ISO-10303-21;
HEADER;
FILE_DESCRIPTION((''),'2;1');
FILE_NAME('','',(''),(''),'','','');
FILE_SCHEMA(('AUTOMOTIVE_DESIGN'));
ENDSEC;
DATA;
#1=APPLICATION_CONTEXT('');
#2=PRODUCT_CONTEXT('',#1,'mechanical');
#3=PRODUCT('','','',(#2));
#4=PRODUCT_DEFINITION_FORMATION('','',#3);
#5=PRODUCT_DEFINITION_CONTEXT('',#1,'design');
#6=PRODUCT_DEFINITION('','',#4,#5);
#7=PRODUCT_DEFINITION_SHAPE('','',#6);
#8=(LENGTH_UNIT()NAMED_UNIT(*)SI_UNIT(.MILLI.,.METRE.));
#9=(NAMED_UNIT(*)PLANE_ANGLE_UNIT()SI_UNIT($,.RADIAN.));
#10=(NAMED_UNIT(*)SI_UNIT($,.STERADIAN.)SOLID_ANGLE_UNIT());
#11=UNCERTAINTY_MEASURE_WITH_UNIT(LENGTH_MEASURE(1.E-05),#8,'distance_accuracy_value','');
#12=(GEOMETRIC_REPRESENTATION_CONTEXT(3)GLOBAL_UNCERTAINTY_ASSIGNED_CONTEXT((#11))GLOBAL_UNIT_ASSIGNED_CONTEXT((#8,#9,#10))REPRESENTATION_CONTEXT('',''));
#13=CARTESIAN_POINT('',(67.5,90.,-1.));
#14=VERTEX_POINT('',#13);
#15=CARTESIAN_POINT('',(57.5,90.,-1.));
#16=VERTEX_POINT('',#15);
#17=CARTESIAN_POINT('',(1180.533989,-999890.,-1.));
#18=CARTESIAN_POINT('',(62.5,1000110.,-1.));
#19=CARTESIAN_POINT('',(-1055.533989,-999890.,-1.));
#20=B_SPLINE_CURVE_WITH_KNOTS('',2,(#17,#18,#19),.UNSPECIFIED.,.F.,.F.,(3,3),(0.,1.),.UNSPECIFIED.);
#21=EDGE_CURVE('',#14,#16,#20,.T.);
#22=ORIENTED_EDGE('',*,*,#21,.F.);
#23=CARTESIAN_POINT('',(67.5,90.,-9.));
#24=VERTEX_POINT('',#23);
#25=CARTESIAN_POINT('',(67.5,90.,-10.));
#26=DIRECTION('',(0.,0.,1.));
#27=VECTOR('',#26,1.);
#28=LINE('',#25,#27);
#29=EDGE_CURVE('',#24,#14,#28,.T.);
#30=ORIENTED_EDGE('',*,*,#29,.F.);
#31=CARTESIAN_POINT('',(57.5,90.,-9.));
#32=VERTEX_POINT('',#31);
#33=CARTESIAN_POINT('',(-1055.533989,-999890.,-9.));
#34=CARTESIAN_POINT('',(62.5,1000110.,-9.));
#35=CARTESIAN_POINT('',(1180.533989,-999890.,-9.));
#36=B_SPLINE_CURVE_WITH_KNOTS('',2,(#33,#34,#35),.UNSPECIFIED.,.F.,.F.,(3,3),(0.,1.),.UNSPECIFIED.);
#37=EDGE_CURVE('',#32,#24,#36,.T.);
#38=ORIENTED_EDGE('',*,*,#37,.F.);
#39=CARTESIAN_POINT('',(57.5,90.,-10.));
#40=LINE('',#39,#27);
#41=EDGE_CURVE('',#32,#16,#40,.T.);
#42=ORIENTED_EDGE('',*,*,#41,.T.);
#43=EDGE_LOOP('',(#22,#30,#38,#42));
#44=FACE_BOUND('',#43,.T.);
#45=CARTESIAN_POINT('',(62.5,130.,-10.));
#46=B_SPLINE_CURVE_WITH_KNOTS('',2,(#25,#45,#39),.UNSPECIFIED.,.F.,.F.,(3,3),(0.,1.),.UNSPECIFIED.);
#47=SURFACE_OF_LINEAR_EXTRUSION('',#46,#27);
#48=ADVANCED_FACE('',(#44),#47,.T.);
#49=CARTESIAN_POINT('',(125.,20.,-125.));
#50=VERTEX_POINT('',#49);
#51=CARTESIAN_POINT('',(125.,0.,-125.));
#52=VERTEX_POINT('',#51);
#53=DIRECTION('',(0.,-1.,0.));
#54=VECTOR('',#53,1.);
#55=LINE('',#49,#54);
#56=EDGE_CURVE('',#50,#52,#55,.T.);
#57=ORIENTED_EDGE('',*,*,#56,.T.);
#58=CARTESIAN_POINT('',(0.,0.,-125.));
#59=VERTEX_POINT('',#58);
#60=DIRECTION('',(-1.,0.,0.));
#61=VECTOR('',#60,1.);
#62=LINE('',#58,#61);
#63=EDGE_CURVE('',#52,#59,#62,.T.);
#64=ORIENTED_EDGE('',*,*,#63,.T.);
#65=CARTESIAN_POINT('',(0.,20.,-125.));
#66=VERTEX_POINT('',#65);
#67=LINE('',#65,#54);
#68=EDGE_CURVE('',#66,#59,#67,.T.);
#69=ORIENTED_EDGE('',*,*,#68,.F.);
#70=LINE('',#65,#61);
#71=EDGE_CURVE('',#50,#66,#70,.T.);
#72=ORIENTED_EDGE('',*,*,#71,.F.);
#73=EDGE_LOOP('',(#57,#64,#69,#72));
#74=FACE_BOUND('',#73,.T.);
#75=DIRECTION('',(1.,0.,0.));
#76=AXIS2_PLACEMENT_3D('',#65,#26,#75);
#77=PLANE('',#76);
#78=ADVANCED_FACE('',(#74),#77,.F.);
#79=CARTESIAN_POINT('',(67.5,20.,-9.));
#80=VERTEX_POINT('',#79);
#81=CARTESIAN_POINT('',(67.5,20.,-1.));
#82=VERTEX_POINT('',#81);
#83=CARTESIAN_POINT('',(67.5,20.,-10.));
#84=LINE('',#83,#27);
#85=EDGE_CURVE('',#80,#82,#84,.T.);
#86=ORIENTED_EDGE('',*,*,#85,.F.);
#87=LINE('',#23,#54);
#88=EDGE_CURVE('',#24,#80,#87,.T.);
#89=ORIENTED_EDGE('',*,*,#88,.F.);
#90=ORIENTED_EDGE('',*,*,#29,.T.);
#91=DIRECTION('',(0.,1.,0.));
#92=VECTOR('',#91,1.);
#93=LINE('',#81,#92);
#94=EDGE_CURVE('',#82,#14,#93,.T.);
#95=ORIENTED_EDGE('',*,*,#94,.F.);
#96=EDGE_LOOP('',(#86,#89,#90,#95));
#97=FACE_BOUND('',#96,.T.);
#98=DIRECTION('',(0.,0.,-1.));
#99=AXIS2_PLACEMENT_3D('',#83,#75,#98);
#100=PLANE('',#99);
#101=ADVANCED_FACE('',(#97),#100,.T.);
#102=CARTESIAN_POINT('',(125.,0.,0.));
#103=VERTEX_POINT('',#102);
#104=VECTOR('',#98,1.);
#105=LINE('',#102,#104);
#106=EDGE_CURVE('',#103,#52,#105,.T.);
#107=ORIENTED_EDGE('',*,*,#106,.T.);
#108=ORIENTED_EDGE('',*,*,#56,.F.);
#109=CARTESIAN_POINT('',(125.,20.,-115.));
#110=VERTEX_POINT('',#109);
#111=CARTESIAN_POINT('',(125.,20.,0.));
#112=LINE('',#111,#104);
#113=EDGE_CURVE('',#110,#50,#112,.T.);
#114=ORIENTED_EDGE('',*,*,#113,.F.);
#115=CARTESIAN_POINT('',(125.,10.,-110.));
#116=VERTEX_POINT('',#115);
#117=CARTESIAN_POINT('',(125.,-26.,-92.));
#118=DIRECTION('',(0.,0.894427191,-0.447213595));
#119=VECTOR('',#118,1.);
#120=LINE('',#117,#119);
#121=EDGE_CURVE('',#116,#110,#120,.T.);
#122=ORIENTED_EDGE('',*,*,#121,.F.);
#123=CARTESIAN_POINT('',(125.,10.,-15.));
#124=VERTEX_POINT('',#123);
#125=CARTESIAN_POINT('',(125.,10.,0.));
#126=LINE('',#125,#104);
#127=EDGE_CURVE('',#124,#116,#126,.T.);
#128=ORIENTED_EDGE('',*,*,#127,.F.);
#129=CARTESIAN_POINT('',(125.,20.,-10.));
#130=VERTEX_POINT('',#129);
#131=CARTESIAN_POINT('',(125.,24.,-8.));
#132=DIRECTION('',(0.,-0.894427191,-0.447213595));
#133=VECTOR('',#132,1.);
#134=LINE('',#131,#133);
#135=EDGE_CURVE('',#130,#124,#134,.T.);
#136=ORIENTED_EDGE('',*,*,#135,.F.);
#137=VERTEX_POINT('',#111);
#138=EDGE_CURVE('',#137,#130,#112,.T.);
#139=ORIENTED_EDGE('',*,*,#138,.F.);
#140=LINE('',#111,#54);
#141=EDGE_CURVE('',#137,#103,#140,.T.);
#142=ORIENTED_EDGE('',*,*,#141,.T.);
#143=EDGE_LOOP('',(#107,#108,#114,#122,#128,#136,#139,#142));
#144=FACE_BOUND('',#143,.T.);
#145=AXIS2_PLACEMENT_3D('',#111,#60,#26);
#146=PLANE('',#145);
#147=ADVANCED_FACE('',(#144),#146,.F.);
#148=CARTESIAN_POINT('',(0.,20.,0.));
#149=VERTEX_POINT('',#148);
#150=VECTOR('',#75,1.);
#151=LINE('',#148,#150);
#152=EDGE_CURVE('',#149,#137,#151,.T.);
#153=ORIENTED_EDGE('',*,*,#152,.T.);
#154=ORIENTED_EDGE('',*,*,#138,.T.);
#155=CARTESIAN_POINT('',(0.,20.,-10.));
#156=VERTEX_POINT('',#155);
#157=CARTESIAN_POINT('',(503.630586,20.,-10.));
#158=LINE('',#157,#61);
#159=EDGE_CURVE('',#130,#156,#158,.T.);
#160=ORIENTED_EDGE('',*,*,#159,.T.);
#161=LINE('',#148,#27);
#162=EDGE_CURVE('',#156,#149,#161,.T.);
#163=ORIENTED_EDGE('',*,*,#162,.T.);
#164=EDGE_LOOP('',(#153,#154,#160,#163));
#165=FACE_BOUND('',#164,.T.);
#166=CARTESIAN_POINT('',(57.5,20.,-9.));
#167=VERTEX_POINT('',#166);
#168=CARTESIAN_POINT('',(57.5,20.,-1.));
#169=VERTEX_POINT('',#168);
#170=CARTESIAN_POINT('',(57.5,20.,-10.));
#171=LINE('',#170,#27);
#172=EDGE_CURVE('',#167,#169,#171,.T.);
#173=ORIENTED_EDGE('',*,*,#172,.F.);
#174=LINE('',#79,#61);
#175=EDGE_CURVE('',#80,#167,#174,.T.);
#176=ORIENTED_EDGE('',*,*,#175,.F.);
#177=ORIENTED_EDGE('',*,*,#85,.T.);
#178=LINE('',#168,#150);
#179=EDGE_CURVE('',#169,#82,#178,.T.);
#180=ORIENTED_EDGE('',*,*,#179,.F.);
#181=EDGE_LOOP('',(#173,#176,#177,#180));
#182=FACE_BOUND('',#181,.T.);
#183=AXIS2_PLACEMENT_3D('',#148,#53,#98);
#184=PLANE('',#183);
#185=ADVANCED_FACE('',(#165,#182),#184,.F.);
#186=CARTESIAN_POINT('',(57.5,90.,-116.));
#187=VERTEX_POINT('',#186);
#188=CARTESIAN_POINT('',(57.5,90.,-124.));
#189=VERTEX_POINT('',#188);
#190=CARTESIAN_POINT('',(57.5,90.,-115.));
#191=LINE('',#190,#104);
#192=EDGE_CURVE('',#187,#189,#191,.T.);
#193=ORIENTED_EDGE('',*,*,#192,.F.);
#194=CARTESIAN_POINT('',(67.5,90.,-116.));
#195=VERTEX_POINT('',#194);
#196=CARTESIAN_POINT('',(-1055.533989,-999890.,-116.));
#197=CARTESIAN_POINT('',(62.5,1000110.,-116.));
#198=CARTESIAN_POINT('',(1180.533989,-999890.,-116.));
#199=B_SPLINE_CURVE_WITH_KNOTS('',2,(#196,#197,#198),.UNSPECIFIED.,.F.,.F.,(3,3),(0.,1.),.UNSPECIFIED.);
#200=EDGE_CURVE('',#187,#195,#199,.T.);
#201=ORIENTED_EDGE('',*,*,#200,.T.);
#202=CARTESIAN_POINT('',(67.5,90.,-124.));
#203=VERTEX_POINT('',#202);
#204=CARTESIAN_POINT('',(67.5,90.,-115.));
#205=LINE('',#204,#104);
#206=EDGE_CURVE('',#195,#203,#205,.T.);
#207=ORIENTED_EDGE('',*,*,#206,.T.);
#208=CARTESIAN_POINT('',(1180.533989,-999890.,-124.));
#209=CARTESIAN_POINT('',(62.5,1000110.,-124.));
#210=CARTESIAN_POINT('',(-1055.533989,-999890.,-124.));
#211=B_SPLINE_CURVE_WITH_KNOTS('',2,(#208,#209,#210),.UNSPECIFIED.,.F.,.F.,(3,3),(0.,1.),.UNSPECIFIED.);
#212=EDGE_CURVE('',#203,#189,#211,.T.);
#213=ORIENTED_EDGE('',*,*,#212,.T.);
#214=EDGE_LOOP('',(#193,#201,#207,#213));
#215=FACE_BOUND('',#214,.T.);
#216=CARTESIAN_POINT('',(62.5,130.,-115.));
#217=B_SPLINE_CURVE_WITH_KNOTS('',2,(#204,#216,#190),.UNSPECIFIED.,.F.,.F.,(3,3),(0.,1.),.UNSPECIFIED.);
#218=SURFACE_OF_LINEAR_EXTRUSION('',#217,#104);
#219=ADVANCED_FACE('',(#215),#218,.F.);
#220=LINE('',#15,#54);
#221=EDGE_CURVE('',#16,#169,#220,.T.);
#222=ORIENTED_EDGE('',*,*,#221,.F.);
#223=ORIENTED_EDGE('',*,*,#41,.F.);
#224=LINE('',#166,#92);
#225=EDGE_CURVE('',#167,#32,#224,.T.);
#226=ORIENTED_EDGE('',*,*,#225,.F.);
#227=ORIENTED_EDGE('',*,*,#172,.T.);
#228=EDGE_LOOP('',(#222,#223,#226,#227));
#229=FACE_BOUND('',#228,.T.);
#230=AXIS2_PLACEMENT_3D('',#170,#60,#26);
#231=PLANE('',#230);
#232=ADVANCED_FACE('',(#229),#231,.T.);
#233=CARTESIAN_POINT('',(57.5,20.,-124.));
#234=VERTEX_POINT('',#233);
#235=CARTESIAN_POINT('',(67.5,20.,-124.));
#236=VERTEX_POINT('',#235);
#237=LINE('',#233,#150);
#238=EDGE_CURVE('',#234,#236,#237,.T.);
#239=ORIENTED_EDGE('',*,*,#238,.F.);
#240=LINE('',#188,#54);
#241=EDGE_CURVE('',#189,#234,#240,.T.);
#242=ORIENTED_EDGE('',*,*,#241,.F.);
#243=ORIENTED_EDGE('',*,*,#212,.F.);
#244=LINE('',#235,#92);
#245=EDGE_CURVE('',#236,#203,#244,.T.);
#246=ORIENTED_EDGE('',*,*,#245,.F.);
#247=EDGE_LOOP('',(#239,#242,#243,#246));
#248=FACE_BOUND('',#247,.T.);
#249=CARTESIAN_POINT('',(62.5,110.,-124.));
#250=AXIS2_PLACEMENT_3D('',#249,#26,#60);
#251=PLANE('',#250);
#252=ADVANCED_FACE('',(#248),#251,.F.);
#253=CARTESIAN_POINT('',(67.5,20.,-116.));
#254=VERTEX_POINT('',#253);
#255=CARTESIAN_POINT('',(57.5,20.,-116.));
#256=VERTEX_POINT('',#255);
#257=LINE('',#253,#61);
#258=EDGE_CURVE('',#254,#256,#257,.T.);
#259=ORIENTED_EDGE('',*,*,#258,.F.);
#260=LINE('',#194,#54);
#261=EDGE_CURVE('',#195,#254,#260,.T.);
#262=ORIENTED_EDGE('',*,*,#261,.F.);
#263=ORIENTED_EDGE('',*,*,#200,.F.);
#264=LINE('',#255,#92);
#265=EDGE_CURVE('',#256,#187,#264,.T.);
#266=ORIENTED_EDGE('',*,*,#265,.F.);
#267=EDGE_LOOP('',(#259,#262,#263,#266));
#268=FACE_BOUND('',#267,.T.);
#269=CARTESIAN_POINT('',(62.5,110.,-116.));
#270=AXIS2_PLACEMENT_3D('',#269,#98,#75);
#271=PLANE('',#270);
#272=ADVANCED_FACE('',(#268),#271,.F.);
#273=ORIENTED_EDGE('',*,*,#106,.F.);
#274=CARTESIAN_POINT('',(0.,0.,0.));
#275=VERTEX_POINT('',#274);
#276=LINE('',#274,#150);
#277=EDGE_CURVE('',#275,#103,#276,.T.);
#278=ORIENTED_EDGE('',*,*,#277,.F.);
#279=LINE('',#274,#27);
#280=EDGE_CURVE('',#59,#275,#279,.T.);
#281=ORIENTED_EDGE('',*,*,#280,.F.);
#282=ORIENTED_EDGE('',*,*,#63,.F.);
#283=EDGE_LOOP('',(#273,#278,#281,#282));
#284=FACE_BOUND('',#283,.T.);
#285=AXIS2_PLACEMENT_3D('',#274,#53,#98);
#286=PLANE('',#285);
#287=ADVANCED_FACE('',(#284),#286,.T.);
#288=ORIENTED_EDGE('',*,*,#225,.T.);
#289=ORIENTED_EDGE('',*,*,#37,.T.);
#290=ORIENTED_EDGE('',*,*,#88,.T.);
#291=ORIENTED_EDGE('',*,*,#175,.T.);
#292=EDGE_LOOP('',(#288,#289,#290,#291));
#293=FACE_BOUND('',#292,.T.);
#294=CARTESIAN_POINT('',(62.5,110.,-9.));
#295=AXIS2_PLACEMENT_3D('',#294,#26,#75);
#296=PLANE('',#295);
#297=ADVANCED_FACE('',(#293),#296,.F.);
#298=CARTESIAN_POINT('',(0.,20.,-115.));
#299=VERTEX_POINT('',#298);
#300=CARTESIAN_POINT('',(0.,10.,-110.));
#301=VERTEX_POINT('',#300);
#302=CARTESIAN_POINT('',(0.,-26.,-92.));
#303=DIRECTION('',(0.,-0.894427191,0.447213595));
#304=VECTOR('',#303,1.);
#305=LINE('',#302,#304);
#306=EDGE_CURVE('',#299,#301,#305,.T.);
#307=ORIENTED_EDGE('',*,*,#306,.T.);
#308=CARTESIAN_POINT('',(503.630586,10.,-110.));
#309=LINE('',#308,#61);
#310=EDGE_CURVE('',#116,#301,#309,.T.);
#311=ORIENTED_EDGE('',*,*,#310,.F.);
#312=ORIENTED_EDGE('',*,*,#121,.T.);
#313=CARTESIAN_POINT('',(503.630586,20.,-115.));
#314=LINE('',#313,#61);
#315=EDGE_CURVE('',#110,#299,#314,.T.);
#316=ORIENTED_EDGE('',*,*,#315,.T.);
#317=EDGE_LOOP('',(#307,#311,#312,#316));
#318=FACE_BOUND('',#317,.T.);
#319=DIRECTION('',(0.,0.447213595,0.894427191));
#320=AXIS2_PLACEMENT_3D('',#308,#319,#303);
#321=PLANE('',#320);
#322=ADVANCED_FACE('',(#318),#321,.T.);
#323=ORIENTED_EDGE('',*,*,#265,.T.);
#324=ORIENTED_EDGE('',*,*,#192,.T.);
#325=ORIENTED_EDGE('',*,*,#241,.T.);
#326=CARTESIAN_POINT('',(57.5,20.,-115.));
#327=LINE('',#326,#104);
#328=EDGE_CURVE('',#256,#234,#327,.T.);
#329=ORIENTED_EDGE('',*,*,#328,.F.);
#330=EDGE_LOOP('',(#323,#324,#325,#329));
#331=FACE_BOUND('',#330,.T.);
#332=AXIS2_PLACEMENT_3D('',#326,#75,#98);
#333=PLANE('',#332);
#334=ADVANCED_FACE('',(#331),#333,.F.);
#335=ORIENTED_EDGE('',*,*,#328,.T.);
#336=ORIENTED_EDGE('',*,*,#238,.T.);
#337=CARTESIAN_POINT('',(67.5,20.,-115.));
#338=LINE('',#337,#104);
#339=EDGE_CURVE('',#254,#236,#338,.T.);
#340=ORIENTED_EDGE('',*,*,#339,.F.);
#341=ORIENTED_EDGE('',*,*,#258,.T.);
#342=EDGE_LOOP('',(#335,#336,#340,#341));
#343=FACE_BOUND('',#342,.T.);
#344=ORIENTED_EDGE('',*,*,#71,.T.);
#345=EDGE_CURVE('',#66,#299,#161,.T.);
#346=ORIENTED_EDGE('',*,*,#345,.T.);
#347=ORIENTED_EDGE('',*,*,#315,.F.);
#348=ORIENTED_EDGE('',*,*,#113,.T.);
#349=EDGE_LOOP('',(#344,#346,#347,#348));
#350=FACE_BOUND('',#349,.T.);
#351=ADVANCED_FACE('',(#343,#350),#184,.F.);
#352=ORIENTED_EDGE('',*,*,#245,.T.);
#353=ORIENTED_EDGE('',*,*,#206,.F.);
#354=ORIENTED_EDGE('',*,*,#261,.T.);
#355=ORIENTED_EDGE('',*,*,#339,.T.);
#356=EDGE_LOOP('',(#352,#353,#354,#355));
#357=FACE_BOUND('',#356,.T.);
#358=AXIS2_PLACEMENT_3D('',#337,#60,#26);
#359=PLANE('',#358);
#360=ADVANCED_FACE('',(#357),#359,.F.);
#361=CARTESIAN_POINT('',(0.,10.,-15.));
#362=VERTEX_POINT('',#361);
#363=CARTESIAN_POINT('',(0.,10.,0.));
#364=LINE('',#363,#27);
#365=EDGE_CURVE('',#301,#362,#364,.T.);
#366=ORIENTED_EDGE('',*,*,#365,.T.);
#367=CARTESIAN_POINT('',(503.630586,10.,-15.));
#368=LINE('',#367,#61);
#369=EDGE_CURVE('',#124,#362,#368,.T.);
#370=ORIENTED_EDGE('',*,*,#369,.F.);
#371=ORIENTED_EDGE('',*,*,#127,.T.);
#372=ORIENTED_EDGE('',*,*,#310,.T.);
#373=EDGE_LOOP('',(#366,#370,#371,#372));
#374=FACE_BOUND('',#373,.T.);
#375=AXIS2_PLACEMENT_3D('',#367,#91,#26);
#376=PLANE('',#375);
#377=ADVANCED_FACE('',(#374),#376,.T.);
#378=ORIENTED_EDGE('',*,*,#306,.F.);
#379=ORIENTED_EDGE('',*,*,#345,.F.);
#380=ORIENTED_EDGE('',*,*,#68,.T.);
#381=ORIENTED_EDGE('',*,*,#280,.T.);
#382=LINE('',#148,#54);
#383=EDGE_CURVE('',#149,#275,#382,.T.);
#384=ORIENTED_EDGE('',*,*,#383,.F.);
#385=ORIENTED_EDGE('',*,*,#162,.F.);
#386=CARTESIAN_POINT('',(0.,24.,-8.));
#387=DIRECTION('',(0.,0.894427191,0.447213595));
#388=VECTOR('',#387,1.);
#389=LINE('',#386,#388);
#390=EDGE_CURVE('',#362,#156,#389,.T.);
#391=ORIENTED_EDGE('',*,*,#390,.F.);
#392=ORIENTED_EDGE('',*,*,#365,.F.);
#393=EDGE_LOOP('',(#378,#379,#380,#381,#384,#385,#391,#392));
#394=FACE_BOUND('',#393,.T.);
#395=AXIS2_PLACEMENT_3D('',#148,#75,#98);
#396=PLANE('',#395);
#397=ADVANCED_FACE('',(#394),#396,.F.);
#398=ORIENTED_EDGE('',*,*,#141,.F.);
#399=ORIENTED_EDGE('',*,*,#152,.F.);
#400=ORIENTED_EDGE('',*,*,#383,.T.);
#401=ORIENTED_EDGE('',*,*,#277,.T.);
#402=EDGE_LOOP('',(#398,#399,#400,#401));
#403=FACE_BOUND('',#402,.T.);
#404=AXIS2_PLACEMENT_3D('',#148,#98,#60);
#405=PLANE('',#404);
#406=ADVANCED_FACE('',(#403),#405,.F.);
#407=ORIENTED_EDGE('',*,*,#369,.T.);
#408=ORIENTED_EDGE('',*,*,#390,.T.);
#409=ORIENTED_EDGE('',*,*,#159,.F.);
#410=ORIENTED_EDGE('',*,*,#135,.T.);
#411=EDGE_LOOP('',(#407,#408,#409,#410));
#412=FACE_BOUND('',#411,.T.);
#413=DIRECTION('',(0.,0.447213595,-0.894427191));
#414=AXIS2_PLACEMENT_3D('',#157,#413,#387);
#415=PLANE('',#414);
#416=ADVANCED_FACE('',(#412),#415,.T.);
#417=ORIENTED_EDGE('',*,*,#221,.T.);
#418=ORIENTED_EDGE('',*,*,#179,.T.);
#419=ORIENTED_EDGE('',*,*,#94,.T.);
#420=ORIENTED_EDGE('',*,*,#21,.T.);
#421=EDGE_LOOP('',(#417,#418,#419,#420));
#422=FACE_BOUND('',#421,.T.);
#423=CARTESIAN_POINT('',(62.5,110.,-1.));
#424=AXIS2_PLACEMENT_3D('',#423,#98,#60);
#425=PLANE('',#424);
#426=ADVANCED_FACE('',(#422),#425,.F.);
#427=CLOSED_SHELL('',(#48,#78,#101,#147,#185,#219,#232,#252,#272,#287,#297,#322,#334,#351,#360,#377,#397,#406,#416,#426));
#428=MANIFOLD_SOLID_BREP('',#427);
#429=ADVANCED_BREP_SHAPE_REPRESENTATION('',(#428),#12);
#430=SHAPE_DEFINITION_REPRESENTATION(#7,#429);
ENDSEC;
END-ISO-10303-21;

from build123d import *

# Parameters (mm, degrees)
SKETCH2_W               = 125
SKETCH2_H               = 125
BOSS_EXTRUDE1_DEPTH     = 20
CUT_EXTRUDE1_DEPTH      = 178.904468747
CUT_EXTRUDE1_DEPTH_BACK = 178.904468747
BOSS_EXTRUDE2_DEPTH     = 10
CUT_EXTRUDE2_DEPTH      = 1
CUT_EXTRUDE3_DEPTH      = 1


with BuildPart() as part:
    # Sketch2 → Boss-Extrude1 (new body)
    with BuildSketch(Plane(origin=(0, 0, 0), x_dir=(1, 0, 0), z_dir=(0, 1, 0))):
        with Locations((62.5, 62.5)):
            Rectangle(SKETCH2_W, SKETCH2_H)
    extrude(amount=BOSS_EXTRUDE1_DEPTH)

    # Sketch4 → Cut-Extrude1 (cut, two sides: drawn at the far end of the back side and taken through both)
    with BuildSketch(Plane(origin=(125, 0, 0), x_dir=(0, 0, -1), z_dir=(1, 0, 0)).offset(-CUT_EXTRUDE1_DEPTH_BACK)):
        Polygon((-98.875201044, 237.750402088), (10, 20), (15, 10), (110, 10), (115, 20), (223.875201044, 237.750402088), (223.875201044, 724.655103285), (-98.875201044, 724.655103285), align=None)
    extrude(amount=CUT_EXTRUDE1_DEPTH + CUT_EXTRUDE1_DEPTH_BACK, mode=Mode.SUBTRACT)

    # Sketch3 → Boss-Extrude2 (add)
    with BuildSketch(Plane.XY):
        with BuildLine():
            Line((57.5, 20), (57.5, 90))
            add(Edge.make_bspline(
                [(57.5, 90), (62.5, 130), (67.5, 90)],
                knots=[0, 0, 0, 1, 1, 1], degree=2))
            Line((67.5, 90), (67.5, 20))
            Line((67.5, 20), (57.5, 20))
        make_face()
    boss_extrude2 = extrude(amount=-BOSS_EXTRUDE2_DEPTH)

    # Sketch6 → Cut-Extrude2 (cut)
    with BuildSketch(Plane.XY):
        with BuildLine():
            Line((57.5, 20), (67.5, 20))
            Line((67.5, 20), (67.5, 90))
            add(Edge.make_bspline(
                [(67.5, 90), (62.500000001, 129.999999993), (57.500000002, 90.000000015)],
                knots=[0, 0, 0, 1, 1, 1], degree=2))
            Line((57.500000002, 90.000000015), (57.5, 20))
        make_face()
    cut_extrude2 = extrude(amount=-CUT_EXTRUDE2_DEPTH, mode=Mode.SUBTRACT)

    # Sketch7 → Cut-Extrude3 (cut)
    with BuildSketch(Plane(origin=(0, 0, -10), x_dir=(-1, 0, 0), z_dir=(0, 0, -1))):
        with BuildLine():
            Line((-67.5, 20), (-57.5, 20))
            Line((-57.5, 20), (-57.5, 90))
            add(Edge.make_bspline(
                [(-57.5, 90), (-62.499999999, 129.999999993), (-67.499999998, 90.000000015)],
                knots=[0, 0, 0, 1, 1, 1], degree=2))
            Line((-67.499999998, 90.000000015), (-67.5, 20))
        make_face()
    cut_extrude3 = extrude(amount=-CUT_EXTRUDE3_DEPTH, mode=Mode.SUBTRACT)

    # Mirror1: Boss-Extrude2, Cut-Extrude2, Cut-Extrude3 across plane
    add(boss_extrude2.mirror(Plane.XY.offset(-62.5)))
    add(cut_extrude2.mirror(Plane.XY.offset(-62.5)), mode=Mode.SUBTRACT)
    add(cut_extrude3.mirror(Plane.XY.offset(-62.5)), mode=Mode.SUBTRACT)


solid = part.part
